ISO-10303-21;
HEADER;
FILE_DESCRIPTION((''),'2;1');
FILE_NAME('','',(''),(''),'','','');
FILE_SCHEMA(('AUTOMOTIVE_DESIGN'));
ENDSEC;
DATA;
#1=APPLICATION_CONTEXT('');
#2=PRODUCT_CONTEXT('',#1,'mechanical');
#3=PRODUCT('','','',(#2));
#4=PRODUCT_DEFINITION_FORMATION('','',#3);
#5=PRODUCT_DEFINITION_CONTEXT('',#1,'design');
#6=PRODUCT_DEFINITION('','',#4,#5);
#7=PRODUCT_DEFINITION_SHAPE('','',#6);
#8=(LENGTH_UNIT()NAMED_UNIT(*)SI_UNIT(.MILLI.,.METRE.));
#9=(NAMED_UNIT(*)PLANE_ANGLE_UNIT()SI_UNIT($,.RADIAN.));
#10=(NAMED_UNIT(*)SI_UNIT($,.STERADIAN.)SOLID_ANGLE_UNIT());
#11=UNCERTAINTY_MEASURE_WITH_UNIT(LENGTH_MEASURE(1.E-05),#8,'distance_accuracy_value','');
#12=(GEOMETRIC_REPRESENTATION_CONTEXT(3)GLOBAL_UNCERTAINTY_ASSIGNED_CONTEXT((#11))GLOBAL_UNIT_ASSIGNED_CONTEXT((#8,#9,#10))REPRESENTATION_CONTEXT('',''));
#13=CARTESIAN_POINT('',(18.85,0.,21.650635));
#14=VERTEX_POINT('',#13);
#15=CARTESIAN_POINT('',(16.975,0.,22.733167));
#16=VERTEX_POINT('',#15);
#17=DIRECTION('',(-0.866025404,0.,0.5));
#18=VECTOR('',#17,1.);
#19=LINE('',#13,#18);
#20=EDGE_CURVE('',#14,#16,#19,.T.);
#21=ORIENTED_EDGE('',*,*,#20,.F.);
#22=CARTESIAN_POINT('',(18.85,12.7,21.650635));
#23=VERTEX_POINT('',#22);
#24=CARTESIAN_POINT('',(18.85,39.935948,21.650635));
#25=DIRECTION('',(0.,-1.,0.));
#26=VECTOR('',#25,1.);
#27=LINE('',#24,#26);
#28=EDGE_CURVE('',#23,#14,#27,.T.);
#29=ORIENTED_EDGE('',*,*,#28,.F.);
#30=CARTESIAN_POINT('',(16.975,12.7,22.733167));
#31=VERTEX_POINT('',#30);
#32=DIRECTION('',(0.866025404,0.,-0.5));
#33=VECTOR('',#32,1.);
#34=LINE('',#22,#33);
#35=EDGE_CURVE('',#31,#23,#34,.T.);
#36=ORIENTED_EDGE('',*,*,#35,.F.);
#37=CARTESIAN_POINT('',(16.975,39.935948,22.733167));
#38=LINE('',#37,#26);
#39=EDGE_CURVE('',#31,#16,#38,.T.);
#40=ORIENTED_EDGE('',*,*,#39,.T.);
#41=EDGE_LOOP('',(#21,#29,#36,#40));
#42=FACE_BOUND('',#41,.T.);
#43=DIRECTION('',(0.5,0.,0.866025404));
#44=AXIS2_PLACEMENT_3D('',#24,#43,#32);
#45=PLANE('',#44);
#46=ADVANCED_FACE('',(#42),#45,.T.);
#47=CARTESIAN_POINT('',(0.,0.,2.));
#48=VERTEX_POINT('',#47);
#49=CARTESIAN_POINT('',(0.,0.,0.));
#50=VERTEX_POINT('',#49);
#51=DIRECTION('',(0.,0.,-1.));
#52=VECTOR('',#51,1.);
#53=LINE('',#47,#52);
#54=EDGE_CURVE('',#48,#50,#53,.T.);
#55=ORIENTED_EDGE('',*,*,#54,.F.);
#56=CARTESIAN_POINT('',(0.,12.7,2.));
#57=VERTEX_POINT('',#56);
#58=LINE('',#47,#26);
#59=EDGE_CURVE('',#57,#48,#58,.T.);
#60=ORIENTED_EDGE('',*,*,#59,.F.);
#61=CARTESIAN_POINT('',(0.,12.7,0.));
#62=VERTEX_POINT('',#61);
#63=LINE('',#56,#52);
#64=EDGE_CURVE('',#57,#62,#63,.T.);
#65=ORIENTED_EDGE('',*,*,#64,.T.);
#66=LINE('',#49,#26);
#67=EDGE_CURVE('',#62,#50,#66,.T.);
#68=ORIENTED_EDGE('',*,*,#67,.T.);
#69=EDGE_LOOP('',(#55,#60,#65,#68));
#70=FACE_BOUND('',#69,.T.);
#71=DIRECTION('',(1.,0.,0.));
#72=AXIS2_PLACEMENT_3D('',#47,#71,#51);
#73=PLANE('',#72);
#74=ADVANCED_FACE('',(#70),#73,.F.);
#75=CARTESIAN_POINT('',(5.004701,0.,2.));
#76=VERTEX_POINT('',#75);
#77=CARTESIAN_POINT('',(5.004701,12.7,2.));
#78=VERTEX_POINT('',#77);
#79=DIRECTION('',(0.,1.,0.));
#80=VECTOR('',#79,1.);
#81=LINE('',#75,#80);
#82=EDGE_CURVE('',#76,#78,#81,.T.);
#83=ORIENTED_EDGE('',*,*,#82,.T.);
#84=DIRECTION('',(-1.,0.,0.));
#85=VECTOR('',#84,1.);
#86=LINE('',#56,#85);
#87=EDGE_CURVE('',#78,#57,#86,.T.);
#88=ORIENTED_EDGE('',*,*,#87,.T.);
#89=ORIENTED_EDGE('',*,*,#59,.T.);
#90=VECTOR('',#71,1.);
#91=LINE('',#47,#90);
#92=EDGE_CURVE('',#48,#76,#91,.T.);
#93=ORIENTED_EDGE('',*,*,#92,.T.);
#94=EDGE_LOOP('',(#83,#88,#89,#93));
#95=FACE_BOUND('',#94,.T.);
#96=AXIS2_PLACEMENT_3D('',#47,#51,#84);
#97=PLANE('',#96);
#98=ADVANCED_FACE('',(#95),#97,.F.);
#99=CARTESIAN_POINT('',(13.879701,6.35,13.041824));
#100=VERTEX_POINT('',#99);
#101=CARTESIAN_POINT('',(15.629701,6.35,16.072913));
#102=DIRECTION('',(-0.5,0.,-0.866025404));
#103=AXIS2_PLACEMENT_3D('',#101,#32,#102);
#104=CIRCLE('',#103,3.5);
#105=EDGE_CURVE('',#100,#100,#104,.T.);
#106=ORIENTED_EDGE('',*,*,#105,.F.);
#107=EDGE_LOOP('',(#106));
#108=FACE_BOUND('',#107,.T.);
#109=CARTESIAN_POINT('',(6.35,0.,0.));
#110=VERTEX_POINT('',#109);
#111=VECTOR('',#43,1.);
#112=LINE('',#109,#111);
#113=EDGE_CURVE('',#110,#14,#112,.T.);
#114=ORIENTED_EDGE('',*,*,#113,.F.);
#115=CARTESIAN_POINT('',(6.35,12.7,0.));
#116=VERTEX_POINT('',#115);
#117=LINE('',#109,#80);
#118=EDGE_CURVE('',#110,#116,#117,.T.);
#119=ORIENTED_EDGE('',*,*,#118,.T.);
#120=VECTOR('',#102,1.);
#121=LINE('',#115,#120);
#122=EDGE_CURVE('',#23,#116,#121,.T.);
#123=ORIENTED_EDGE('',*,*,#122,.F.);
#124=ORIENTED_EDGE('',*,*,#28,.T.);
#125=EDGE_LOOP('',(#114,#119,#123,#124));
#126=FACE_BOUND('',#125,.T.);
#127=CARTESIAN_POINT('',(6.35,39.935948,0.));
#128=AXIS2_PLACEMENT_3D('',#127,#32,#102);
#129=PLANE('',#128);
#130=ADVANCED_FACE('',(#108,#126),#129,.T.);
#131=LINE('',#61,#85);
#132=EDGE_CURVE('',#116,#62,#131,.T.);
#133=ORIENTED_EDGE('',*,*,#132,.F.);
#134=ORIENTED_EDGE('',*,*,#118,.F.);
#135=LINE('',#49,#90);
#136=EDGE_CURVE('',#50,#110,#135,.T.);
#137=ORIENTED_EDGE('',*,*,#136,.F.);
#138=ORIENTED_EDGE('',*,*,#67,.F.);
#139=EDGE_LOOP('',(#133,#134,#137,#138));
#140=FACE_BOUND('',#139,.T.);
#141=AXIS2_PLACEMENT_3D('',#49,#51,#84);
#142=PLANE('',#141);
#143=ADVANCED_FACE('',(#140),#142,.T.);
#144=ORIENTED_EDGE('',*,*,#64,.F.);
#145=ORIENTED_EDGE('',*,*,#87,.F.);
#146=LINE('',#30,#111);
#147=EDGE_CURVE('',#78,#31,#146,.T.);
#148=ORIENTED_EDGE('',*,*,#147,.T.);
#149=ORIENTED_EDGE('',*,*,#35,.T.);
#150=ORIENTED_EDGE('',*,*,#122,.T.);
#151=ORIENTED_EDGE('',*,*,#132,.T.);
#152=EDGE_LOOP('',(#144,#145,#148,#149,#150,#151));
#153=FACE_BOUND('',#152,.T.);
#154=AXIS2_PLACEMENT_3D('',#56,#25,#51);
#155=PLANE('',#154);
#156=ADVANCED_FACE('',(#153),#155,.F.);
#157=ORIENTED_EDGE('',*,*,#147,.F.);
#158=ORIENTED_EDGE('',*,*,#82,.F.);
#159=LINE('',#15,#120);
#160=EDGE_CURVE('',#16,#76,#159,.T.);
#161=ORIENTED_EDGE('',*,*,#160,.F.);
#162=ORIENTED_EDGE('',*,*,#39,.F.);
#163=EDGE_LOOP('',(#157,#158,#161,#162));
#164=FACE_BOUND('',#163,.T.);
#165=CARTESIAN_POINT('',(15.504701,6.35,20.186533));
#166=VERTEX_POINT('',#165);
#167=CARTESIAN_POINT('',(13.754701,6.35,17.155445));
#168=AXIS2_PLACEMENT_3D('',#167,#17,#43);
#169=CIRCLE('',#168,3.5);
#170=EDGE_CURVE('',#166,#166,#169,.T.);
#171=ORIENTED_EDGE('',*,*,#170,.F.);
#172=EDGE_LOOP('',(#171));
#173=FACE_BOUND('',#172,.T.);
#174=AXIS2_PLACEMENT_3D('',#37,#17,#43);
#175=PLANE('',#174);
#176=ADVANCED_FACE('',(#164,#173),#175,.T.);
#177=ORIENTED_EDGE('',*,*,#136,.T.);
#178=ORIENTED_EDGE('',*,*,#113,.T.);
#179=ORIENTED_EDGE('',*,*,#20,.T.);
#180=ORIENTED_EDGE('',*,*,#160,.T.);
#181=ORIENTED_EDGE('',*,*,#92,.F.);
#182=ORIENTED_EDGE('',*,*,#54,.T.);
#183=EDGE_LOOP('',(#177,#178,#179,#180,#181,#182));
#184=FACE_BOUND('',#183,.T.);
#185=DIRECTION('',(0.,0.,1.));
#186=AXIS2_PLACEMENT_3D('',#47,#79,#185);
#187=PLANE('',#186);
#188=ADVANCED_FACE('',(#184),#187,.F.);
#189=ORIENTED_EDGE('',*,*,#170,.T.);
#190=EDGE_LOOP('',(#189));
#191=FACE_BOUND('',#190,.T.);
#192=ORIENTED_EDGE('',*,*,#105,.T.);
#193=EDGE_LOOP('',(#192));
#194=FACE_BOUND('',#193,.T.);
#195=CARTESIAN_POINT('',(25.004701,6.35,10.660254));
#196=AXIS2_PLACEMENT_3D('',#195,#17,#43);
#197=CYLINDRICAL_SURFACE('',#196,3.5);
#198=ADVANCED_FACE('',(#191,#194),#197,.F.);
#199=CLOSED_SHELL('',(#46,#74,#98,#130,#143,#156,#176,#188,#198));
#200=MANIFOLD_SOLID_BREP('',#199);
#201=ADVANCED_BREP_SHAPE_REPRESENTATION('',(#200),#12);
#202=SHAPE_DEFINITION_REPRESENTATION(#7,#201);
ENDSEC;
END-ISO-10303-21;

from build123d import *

# Parameters (mm, degrees)
SKETCH1_W           = 6.35
SKETCH1_H           = 12.7
BOSS_EXTRUDE1_DEPTH = 2
BOSS_EXTRUDE2_DEPTH = 12.7
SKETCH3_R           = 3.5
CUT_EXTRUDE1_DEPTH  = 13.990381057


with BuildPart() as part:
    # Sketch1 → Boss-Extrude1 (new body)
    with BuildSketch(Plane.XY):
        with Locations((3.175, 6.35)):
            Rectangle(SKETCH1_W, SKETCH1_H)
    extrude(amount=BOSS_EXTRUDE1_DEPTH)

    # Sketch2 → Boss-Extrude2 (add)
    with BuildSketch(Plane.XZ):
        Polygon((6.35, 0), (18.85, 21.650635095), (16.975, 22.733166849), (3.85, 0), align=None)
    extrude(amount=-BOSS_EXTRUDE2_DEPTH)

    # Sketch3 → Cut-Extrude1 (cut, through all)
    with BuildSketch(Plane(origin=(2.8875, 0, -1.667098902), x_dir=(0.5, 0, 0.866025404), z_dir=(-0.866025404, 0, 0.5))):
        with Locations((21.734401077, 6.35)):
            Circle(SKETCH3_R)
    extrude(amount=-CUT_EXTRUDE1_DEPTH, mode=Mode.SUBTRACT)


solid = part.part
